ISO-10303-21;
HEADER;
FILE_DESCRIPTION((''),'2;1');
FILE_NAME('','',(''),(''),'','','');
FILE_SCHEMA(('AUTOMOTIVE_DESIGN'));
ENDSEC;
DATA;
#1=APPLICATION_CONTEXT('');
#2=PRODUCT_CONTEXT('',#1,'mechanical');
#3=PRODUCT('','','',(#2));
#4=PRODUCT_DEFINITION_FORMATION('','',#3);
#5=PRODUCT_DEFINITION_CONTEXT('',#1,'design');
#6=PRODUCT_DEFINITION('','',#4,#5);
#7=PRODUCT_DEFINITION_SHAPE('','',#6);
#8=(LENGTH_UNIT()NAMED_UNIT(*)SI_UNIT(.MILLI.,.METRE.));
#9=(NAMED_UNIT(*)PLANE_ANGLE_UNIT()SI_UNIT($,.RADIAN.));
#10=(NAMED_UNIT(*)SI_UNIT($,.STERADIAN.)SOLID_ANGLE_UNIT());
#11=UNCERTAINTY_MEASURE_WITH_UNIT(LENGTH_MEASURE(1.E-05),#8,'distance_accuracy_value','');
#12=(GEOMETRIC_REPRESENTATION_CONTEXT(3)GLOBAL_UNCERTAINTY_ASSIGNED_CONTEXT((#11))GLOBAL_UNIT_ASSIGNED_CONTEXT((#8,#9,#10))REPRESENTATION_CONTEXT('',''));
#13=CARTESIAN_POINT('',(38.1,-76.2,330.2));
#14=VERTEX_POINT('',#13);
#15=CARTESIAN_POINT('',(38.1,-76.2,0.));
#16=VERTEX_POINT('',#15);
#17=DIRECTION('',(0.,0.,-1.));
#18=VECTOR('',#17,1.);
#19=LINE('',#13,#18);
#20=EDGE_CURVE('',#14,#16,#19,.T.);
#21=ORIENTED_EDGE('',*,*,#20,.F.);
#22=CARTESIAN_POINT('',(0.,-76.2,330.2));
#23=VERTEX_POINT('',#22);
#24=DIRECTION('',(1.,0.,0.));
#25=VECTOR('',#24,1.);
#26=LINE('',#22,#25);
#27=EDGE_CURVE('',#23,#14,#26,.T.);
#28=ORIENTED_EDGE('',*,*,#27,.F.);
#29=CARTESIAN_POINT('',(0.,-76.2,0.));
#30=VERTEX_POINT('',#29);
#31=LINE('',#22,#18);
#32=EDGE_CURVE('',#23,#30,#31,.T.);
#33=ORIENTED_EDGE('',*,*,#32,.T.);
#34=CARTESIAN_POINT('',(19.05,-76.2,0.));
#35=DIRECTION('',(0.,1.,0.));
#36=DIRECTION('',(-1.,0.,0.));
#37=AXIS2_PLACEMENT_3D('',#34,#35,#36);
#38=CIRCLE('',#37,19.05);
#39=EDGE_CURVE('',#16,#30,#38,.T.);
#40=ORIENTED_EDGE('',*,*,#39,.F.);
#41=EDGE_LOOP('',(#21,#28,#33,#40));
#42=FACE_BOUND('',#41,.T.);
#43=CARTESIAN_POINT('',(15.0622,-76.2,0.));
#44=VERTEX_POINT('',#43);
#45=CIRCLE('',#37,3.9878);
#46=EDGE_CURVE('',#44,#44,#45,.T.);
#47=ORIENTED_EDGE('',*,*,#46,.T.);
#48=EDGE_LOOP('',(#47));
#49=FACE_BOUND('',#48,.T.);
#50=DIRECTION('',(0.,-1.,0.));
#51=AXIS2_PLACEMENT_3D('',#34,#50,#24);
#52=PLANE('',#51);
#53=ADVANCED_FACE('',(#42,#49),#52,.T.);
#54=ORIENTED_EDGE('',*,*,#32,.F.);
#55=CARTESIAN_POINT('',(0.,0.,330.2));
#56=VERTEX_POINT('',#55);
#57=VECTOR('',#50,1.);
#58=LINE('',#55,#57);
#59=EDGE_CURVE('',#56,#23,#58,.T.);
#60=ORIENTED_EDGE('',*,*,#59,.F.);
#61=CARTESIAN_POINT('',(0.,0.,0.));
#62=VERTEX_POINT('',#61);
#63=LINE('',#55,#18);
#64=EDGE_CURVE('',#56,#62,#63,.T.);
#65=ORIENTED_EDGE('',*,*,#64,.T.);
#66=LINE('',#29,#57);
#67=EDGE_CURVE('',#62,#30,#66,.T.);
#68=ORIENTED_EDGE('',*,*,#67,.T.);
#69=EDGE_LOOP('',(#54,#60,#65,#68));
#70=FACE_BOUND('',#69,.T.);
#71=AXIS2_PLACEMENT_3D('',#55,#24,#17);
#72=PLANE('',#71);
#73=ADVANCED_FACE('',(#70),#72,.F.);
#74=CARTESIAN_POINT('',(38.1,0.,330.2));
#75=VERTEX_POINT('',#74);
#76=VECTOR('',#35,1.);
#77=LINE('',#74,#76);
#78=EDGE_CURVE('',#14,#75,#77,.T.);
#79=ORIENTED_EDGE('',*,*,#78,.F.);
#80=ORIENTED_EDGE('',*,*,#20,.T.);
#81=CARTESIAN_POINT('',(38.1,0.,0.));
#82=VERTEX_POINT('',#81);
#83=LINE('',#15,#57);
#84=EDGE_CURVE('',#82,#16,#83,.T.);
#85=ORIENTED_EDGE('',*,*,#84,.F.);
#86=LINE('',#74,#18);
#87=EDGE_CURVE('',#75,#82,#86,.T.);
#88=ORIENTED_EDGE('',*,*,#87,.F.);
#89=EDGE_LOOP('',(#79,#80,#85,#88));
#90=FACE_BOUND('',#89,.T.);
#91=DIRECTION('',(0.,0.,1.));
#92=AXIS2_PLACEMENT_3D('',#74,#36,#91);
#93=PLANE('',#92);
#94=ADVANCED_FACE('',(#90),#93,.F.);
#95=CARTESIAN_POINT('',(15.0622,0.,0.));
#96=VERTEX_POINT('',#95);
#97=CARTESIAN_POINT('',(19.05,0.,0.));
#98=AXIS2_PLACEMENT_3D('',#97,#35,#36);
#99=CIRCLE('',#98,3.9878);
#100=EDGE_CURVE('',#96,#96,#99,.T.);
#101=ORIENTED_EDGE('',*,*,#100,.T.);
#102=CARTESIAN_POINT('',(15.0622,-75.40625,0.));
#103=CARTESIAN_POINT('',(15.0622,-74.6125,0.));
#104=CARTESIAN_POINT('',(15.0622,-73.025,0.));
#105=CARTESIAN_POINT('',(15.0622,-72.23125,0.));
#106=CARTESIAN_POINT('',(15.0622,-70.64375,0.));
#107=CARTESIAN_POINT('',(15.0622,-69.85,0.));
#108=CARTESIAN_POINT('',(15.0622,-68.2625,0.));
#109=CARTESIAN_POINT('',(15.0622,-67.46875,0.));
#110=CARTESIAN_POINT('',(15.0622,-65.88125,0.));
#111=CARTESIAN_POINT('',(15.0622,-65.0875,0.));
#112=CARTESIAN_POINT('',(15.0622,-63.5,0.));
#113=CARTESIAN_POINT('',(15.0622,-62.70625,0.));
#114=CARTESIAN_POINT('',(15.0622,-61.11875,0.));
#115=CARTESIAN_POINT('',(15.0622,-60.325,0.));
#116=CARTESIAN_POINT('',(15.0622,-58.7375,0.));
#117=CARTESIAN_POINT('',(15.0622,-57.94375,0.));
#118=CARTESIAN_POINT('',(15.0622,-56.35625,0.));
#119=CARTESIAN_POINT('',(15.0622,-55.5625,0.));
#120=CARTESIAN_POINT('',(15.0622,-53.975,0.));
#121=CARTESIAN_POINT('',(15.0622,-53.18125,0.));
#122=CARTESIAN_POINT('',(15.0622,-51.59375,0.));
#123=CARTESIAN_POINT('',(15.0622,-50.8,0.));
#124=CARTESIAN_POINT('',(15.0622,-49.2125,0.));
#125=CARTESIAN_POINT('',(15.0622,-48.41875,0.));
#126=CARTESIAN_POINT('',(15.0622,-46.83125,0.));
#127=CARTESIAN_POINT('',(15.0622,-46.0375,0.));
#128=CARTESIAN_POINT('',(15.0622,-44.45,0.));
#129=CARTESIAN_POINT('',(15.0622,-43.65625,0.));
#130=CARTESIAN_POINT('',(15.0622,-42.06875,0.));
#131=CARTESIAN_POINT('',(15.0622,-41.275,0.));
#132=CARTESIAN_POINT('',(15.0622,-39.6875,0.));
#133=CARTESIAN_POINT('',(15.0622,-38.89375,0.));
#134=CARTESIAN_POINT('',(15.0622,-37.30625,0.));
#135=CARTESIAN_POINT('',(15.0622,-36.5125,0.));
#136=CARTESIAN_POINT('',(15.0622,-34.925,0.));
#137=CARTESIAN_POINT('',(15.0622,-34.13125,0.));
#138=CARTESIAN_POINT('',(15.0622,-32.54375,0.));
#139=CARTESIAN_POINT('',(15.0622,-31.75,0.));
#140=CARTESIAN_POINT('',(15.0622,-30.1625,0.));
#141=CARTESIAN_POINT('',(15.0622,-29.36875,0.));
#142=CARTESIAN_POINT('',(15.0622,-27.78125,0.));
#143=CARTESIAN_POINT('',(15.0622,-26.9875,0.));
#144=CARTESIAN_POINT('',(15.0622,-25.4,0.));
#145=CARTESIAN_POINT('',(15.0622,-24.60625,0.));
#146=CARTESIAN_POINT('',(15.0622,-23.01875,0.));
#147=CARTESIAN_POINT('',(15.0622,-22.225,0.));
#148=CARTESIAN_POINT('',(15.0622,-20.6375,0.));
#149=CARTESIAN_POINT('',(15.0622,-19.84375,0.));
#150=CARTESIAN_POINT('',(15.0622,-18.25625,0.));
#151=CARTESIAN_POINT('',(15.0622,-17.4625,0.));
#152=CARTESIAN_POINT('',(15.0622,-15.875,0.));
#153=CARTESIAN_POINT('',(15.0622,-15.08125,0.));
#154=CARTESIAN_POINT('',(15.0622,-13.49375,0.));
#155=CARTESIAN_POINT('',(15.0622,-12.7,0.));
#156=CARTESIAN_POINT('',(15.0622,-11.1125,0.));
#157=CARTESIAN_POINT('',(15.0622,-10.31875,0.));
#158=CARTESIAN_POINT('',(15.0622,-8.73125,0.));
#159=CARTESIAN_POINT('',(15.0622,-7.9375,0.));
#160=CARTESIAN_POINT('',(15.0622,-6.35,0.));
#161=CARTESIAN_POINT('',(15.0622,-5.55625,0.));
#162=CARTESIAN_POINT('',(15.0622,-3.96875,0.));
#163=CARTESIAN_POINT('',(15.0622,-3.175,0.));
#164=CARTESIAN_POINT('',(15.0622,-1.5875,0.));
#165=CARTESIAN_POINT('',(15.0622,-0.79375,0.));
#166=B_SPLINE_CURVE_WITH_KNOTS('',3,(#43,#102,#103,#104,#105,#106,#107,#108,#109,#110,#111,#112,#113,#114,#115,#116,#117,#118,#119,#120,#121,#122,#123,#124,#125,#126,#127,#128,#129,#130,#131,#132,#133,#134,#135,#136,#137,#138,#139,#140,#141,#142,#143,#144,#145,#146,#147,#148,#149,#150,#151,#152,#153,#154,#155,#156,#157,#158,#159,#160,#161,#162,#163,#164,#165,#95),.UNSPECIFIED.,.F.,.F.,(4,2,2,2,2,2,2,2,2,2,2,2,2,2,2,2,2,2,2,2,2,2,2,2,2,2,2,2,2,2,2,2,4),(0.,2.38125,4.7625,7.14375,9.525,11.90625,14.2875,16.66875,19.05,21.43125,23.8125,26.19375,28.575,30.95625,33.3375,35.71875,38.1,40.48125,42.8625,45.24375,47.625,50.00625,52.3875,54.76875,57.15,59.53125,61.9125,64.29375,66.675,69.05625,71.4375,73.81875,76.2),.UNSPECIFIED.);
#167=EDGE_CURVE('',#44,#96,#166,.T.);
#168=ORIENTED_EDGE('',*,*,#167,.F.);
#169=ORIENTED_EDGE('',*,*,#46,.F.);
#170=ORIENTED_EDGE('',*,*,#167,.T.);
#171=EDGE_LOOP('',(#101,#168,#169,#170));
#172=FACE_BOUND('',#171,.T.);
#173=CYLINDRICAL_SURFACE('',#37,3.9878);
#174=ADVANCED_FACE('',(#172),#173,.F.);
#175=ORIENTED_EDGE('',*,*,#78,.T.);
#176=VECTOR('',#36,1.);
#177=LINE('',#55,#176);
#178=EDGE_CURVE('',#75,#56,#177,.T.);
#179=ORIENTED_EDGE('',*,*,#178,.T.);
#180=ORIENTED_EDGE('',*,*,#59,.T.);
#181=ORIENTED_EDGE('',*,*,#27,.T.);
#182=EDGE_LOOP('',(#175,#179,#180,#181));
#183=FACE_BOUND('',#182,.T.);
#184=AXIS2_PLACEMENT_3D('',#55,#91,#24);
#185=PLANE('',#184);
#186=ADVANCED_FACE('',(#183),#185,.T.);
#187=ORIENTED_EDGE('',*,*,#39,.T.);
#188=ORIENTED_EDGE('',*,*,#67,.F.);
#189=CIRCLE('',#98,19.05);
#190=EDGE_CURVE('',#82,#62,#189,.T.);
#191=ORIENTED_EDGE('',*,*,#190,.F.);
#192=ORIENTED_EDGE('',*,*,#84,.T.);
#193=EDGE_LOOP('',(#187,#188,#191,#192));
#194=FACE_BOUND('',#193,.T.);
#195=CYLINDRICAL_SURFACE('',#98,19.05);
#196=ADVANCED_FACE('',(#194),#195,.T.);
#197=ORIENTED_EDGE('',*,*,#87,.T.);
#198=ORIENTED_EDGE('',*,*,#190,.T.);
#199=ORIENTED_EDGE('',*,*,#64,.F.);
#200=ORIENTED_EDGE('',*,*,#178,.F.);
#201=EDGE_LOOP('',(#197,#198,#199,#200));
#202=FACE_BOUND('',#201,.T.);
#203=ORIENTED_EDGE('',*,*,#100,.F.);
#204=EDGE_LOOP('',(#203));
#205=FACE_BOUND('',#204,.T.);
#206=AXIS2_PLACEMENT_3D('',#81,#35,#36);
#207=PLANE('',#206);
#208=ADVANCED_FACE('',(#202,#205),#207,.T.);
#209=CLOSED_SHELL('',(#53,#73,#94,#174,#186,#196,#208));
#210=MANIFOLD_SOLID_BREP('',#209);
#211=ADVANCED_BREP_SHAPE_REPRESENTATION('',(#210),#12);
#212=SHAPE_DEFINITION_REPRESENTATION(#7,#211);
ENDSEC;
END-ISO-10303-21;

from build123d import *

# Parameters (mm, degrees)
SKETCH1_W           = 19.05
SKETCH1_H           = 76.2
REVOLVE1_ANGLE      = 180
SKETCH2_W           = 38.1
SKETCH2_H           = 76.2
BOSS_EXTRUDE1_DEPTH = 330.2
SKETCH3_R           = 3.9878
CUT_EXTRUDE1_DEPTH  = 342.013328185


with BuildPart() as part:
    # Sketch1 → Revolve1 (revolve)
    with BuildSketch(Plane.XY):
        with Locations((9.525, -38.1)):
            Rectangle(SKETCH1_W, SKETCH1_H)
    revolve(axis=Axis((19.05, 0, 0), (0, -1, 0)), revolution_arc=REVOLVE1_ANGLE)

    # Sketch2 → Boss-Extrude1 (add)
    with BuildSketch(Plane.XY):
        with Locations((19.05, -38.1)):
            Rectangle(SKETCH2_W, SKETCH2_H)
    extrude(amount=BOSS_EXTRUDE1_DEPTH)

    # Sketch3 → Cut-Extrude1 (cut, through all)
    with BuildSketch(Plane(origin=(0, 0, 0), x_dir=(1, 0, 0), z_dir=(0, 1, 0))):
        with Locations(Location((19.05, 0, 0), (0, 0, 180))):
            Circle(SKETCH3_R)
    extrude(amount=-CUT_EXTRUDE1_DEPTH, mode=Mode.SUBTRACT)


solid = part.part
